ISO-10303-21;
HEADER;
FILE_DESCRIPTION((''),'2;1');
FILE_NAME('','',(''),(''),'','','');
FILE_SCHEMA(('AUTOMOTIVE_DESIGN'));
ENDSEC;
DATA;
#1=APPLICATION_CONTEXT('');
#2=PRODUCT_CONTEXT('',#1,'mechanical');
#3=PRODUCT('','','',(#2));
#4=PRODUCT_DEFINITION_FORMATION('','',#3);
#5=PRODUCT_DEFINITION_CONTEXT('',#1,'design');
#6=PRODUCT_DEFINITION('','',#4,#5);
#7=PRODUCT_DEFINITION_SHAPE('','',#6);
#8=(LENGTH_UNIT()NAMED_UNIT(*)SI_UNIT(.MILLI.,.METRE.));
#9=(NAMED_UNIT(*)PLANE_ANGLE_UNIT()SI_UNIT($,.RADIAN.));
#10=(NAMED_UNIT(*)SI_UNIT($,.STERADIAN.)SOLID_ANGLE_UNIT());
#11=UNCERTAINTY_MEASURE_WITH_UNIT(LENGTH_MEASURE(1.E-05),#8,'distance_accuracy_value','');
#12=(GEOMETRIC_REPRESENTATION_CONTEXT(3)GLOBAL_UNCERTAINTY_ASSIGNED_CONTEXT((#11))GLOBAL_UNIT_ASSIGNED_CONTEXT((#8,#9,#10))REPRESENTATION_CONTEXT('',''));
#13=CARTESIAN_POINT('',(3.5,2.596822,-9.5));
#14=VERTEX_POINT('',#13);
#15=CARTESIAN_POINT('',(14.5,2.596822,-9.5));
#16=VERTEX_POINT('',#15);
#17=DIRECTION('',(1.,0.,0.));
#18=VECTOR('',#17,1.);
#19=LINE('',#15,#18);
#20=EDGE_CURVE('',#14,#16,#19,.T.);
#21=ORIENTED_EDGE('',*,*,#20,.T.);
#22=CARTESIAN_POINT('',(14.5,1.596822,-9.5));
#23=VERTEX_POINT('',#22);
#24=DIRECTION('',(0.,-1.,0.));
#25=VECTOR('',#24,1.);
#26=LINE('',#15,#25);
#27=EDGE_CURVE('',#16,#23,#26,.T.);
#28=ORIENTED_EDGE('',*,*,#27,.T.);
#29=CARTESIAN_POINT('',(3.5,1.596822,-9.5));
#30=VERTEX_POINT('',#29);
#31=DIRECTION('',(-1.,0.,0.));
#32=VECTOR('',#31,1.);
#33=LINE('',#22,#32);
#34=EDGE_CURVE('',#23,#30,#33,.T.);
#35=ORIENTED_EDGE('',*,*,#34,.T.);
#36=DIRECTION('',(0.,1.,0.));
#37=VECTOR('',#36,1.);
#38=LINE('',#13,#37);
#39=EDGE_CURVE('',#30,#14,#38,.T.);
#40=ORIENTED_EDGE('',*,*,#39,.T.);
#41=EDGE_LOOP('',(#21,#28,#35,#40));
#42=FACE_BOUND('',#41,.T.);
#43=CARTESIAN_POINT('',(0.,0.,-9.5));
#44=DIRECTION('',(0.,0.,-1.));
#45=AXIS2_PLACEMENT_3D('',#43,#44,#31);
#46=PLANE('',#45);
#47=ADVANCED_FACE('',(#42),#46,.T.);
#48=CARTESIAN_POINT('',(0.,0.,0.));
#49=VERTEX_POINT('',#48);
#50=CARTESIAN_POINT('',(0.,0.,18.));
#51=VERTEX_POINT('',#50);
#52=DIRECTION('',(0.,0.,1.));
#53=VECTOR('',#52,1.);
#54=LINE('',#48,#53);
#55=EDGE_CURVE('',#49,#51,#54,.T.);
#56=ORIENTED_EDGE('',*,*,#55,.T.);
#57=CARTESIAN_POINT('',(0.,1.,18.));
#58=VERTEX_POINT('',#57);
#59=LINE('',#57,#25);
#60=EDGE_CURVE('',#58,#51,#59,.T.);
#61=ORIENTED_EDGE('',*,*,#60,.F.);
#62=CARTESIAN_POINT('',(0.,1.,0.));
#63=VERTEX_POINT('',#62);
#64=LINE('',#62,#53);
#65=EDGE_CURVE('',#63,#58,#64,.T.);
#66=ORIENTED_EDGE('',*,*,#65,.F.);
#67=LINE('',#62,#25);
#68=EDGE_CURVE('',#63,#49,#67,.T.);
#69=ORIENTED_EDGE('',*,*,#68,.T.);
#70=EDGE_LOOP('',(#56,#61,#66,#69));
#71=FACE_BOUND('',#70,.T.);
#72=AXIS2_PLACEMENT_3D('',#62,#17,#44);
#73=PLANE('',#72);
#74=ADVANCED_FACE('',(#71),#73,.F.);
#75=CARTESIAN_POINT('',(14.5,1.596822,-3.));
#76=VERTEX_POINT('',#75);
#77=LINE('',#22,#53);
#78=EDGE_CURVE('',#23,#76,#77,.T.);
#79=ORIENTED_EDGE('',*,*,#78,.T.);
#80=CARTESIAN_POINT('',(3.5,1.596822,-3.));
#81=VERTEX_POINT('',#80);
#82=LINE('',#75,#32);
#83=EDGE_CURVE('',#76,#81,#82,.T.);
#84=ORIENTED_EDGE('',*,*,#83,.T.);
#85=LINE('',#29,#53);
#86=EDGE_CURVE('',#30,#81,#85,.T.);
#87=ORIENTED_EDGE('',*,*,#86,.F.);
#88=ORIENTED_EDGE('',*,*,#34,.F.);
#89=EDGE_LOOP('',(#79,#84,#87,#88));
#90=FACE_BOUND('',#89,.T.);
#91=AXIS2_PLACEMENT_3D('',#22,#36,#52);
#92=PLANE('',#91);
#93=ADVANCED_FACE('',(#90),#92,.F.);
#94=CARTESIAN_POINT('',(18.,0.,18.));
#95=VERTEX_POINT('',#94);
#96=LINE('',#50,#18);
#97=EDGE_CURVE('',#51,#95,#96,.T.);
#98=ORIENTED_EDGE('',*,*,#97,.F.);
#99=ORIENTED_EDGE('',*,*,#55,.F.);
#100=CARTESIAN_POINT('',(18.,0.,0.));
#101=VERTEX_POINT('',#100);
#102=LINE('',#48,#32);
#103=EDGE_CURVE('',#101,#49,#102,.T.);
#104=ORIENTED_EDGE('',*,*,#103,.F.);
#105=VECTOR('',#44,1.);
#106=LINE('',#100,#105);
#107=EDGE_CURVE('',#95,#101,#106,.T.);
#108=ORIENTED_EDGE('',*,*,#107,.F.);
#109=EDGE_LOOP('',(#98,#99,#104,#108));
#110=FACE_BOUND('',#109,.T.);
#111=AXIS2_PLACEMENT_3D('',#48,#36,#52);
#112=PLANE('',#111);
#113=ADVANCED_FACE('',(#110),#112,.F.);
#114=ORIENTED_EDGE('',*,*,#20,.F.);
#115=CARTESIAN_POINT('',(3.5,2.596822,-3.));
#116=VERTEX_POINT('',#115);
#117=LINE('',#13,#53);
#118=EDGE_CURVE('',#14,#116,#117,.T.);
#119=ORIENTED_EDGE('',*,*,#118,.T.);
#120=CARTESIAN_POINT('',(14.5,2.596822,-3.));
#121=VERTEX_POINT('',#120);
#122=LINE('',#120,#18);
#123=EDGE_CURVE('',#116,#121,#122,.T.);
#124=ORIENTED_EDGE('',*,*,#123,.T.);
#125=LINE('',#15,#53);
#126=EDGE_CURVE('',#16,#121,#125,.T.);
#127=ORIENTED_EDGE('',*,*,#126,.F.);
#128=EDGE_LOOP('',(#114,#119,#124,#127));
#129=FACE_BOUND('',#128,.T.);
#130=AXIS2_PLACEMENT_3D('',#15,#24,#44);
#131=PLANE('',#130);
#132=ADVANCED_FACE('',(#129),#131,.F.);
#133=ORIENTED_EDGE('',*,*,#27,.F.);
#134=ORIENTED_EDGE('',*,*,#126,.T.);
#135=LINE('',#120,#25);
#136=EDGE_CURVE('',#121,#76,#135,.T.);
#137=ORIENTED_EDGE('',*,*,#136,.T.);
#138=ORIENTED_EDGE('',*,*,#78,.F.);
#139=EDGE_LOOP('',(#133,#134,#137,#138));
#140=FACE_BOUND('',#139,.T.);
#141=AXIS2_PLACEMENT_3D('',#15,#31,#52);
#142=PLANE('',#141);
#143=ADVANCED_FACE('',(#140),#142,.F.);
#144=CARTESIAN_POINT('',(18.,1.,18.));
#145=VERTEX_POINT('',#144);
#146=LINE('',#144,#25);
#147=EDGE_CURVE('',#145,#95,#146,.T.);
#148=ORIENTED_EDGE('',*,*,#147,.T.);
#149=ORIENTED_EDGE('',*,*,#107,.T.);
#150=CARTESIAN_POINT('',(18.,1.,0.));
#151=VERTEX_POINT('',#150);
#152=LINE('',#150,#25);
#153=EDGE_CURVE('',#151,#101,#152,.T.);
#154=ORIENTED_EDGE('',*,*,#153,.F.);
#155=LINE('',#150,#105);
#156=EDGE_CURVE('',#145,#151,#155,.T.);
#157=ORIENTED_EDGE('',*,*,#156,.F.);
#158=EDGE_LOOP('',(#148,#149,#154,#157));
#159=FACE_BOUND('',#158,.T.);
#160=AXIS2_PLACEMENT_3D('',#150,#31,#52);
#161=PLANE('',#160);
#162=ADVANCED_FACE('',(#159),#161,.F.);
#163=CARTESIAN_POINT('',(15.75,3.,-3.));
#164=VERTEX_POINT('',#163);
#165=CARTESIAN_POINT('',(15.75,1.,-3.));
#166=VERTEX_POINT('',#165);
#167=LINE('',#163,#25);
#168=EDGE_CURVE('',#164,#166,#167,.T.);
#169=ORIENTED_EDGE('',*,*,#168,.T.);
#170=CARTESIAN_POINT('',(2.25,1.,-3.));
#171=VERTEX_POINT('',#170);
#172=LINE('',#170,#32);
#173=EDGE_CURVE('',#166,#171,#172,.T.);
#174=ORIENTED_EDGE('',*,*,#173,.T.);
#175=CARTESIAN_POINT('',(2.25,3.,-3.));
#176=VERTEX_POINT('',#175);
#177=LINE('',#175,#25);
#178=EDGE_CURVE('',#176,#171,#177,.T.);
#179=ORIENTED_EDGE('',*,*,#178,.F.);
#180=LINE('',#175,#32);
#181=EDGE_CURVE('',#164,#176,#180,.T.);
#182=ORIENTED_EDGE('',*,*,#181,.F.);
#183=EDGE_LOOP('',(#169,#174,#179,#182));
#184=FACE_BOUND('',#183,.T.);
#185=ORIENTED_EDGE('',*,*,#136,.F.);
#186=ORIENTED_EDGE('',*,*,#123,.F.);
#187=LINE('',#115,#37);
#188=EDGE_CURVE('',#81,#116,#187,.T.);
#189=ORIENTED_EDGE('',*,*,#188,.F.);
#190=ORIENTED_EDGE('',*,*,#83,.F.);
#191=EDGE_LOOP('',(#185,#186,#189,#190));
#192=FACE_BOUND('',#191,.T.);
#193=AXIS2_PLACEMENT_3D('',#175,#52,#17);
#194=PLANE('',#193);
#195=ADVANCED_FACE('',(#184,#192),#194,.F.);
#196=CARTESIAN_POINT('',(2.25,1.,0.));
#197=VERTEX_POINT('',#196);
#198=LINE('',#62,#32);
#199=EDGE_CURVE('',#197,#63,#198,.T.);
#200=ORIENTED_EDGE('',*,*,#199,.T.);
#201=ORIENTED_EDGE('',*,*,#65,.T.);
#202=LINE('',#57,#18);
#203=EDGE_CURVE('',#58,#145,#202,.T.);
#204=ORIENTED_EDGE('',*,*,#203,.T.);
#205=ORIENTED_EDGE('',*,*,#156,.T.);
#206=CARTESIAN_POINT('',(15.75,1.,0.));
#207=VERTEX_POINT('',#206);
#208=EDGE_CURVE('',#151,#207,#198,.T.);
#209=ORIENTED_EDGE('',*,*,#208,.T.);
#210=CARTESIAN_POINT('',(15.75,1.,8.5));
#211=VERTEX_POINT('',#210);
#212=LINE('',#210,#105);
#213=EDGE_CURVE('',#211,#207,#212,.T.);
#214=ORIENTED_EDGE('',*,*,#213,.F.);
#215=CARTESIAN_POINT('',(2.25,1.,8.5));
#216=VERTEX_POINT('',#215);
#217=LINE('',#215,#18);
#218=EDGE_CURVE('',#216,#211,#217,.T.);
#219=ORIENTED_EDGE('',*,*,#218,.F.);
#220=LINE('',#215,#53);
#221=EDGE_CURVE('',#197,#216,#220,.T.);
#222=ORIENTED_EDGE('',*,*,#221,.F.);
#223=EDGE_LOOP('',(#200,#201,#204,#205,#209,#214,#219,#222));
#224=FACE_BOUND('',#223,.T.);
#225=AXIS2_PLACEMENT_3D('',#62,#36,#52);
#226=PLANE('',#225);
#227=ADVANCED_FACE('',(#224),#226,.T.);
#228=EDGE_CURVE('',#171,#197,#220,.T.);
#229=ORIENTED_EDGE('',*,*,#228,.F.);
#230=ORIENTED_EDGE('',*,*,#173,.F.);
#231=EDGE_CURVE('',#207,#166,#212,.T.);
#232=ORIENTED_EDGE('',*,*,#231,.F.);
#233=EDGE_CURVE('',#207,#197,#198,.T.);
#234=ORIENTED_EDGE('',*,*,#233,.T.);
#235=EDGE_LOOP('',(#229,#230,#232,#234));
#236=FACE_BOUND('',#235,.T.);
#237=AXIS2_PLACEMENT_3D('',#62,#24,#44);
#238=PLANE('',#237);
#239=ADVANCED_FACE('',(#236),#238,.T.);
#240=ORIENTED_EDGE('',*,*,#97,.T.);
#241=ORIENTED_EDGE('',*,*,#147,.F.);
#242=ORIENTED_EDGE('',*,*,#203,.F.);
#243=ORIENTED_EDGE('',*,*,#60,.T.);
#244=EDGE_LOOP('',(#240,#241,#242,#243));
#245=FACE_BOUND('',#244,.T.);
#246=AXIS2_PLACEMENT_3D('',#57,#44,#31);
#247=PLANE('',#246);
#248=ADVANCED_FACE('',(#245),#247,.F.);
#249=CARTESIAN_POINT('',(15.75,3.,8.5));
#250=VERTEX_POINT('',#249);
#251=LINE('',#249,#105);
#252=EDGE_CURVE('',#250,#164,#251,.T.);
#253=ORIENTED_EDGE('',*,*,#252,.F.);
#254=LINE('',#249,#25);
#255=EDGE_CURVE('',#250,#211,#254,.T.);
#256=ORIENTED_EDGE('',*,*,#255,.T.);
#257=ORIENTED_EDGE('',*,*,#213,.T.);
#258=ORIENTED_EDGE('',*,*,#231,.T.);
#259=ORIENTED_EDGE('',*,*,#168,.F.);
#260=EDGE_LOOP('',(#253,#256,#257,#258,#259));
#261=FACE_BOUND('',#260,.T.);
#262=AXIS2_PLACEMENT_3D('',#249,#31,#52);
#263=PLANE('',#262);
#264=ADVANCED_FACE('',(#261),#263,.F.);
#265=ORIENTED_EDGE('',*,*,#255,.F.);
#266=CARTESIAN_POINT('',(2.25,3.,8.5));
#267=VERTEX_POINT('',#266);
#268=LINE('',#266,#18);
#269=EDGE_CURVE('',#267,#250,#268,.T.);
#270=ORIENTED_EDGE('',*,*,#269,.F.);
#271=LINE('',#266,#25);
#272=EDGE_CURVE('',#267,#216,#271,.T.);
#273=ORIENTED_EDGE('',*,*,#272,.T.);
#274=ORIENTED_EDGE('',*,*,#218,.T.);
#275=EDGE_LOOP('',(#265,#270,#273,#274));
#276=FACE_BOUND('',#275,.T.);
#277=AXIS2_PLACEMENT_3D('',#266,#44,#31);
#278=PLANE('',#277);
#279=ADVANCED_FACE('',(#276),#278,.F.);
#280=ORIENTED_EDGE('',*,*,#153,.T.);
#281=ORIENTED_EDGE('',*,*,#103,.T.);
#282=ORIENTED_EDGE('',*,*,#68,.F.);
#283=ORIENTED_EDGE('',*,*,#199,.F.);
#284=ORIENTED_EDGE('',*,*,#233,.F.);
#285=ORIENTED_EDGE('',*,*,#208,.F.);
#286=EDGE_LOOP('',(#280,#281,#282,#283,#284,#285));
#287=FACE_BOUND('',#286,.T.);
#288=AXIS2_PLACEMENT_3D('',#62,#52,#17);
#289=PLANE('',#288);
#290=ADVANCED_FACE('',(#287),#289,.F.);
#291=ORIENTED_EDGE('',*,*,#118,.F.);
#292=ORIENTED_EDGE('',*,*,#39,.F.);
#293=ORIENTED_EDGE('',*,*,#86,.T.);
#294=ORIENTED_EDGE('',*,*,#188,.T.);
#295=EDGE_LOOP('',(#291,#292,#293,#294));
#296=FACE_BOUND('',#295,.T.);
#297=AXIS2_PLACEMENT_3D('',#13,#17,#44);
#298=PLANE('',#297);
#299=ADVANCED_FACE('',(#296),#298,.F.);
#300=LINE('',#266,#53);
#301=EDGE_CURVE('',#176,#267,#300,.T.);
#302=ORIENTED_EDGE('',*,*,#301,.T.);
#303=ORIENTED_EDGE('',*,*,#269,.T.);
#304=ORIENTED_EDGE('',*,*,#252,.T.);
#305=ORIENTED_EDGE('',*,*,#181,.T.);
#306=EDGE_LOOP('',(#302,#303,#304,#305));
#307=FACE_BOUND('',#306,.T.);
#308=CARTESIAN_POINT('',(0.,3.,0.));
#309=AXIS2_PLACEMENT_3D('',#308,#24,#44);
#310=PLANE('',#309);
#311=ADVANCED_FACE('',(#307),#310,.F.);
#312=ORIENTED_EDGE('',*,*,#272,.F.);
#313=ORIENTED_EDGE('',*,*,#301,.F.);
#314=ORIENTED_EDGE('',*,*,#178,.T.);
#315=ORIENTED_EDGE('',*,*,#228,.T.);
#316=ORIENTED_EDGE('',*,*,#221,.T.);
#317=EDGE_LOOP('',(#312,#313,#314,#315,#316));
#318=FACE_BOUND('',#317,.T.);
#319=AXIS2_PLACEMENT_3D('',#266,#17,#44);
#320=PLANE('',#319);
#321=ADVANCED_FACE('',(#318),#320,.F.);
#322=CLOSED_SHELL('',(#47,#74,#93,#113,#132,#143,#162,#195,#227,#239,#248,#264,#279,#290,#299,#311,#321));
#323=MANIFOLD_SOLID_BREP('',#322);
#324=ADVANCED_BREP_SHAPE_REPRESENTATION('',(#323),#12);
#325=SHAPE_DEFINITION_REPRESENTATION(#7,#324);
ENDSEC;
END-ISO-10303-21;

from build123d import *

# Parameters (mm, degrees)
SKETCH1_W           = 18
SKETCH1_H           = 18
BOSS_EXTRUDE1_DEPTH = 1
SKETCH2_W           = 13.5
SKETCH2_H           = 11.5
BOSS_EXTRUDE2_DEPTH = 2
SKETCH3_W           = 11
SKETCH3_H           = 1
BOSS_EXTRUDE3_DEPTH = 6.5


with BuildPart() as part:
    # Sketch1 → Boss-Extrude1 (new body)
    with BuildSketch(Plane(origin=(0, 0, 0), x_dir=(1, 0, 0), z_dir=(0, 1, 0))):
        with Locations((9, -9)):
            Rectangle(SKETCH1_W, SKETCH1_H)
    extrude(amount=BOSS_EXTRUDE1_DEPTH)

    # Sketch2 → Boss-Extrude2 (add)
    with BuildSketch(Plane(origin=(0, 1, 0), x_dir=(1, 0, 0), z_dir=(0, 1, 0))):
        with Locations((9, -2.75)):
            Rectangle(SKETCH2_W, SKETCH2_H)
    extrude(amount=BOSS_EXTRUDE2_DEPTH)

    # Sketch3 → Boss-Extrude3 (add)
    with BuildSketch(Plane(origin=(0, 0, -3), x_dir=(-1, 0, 0), z_dir=(0, 0, -1))):
        with Locations((-9, 2.09682187)):
            Rectangle(SKETCH3_W, SKETCH3_H)
    extrude(amount=BOSS_EXTRUDE3_DEPTH)


solid = part.part
